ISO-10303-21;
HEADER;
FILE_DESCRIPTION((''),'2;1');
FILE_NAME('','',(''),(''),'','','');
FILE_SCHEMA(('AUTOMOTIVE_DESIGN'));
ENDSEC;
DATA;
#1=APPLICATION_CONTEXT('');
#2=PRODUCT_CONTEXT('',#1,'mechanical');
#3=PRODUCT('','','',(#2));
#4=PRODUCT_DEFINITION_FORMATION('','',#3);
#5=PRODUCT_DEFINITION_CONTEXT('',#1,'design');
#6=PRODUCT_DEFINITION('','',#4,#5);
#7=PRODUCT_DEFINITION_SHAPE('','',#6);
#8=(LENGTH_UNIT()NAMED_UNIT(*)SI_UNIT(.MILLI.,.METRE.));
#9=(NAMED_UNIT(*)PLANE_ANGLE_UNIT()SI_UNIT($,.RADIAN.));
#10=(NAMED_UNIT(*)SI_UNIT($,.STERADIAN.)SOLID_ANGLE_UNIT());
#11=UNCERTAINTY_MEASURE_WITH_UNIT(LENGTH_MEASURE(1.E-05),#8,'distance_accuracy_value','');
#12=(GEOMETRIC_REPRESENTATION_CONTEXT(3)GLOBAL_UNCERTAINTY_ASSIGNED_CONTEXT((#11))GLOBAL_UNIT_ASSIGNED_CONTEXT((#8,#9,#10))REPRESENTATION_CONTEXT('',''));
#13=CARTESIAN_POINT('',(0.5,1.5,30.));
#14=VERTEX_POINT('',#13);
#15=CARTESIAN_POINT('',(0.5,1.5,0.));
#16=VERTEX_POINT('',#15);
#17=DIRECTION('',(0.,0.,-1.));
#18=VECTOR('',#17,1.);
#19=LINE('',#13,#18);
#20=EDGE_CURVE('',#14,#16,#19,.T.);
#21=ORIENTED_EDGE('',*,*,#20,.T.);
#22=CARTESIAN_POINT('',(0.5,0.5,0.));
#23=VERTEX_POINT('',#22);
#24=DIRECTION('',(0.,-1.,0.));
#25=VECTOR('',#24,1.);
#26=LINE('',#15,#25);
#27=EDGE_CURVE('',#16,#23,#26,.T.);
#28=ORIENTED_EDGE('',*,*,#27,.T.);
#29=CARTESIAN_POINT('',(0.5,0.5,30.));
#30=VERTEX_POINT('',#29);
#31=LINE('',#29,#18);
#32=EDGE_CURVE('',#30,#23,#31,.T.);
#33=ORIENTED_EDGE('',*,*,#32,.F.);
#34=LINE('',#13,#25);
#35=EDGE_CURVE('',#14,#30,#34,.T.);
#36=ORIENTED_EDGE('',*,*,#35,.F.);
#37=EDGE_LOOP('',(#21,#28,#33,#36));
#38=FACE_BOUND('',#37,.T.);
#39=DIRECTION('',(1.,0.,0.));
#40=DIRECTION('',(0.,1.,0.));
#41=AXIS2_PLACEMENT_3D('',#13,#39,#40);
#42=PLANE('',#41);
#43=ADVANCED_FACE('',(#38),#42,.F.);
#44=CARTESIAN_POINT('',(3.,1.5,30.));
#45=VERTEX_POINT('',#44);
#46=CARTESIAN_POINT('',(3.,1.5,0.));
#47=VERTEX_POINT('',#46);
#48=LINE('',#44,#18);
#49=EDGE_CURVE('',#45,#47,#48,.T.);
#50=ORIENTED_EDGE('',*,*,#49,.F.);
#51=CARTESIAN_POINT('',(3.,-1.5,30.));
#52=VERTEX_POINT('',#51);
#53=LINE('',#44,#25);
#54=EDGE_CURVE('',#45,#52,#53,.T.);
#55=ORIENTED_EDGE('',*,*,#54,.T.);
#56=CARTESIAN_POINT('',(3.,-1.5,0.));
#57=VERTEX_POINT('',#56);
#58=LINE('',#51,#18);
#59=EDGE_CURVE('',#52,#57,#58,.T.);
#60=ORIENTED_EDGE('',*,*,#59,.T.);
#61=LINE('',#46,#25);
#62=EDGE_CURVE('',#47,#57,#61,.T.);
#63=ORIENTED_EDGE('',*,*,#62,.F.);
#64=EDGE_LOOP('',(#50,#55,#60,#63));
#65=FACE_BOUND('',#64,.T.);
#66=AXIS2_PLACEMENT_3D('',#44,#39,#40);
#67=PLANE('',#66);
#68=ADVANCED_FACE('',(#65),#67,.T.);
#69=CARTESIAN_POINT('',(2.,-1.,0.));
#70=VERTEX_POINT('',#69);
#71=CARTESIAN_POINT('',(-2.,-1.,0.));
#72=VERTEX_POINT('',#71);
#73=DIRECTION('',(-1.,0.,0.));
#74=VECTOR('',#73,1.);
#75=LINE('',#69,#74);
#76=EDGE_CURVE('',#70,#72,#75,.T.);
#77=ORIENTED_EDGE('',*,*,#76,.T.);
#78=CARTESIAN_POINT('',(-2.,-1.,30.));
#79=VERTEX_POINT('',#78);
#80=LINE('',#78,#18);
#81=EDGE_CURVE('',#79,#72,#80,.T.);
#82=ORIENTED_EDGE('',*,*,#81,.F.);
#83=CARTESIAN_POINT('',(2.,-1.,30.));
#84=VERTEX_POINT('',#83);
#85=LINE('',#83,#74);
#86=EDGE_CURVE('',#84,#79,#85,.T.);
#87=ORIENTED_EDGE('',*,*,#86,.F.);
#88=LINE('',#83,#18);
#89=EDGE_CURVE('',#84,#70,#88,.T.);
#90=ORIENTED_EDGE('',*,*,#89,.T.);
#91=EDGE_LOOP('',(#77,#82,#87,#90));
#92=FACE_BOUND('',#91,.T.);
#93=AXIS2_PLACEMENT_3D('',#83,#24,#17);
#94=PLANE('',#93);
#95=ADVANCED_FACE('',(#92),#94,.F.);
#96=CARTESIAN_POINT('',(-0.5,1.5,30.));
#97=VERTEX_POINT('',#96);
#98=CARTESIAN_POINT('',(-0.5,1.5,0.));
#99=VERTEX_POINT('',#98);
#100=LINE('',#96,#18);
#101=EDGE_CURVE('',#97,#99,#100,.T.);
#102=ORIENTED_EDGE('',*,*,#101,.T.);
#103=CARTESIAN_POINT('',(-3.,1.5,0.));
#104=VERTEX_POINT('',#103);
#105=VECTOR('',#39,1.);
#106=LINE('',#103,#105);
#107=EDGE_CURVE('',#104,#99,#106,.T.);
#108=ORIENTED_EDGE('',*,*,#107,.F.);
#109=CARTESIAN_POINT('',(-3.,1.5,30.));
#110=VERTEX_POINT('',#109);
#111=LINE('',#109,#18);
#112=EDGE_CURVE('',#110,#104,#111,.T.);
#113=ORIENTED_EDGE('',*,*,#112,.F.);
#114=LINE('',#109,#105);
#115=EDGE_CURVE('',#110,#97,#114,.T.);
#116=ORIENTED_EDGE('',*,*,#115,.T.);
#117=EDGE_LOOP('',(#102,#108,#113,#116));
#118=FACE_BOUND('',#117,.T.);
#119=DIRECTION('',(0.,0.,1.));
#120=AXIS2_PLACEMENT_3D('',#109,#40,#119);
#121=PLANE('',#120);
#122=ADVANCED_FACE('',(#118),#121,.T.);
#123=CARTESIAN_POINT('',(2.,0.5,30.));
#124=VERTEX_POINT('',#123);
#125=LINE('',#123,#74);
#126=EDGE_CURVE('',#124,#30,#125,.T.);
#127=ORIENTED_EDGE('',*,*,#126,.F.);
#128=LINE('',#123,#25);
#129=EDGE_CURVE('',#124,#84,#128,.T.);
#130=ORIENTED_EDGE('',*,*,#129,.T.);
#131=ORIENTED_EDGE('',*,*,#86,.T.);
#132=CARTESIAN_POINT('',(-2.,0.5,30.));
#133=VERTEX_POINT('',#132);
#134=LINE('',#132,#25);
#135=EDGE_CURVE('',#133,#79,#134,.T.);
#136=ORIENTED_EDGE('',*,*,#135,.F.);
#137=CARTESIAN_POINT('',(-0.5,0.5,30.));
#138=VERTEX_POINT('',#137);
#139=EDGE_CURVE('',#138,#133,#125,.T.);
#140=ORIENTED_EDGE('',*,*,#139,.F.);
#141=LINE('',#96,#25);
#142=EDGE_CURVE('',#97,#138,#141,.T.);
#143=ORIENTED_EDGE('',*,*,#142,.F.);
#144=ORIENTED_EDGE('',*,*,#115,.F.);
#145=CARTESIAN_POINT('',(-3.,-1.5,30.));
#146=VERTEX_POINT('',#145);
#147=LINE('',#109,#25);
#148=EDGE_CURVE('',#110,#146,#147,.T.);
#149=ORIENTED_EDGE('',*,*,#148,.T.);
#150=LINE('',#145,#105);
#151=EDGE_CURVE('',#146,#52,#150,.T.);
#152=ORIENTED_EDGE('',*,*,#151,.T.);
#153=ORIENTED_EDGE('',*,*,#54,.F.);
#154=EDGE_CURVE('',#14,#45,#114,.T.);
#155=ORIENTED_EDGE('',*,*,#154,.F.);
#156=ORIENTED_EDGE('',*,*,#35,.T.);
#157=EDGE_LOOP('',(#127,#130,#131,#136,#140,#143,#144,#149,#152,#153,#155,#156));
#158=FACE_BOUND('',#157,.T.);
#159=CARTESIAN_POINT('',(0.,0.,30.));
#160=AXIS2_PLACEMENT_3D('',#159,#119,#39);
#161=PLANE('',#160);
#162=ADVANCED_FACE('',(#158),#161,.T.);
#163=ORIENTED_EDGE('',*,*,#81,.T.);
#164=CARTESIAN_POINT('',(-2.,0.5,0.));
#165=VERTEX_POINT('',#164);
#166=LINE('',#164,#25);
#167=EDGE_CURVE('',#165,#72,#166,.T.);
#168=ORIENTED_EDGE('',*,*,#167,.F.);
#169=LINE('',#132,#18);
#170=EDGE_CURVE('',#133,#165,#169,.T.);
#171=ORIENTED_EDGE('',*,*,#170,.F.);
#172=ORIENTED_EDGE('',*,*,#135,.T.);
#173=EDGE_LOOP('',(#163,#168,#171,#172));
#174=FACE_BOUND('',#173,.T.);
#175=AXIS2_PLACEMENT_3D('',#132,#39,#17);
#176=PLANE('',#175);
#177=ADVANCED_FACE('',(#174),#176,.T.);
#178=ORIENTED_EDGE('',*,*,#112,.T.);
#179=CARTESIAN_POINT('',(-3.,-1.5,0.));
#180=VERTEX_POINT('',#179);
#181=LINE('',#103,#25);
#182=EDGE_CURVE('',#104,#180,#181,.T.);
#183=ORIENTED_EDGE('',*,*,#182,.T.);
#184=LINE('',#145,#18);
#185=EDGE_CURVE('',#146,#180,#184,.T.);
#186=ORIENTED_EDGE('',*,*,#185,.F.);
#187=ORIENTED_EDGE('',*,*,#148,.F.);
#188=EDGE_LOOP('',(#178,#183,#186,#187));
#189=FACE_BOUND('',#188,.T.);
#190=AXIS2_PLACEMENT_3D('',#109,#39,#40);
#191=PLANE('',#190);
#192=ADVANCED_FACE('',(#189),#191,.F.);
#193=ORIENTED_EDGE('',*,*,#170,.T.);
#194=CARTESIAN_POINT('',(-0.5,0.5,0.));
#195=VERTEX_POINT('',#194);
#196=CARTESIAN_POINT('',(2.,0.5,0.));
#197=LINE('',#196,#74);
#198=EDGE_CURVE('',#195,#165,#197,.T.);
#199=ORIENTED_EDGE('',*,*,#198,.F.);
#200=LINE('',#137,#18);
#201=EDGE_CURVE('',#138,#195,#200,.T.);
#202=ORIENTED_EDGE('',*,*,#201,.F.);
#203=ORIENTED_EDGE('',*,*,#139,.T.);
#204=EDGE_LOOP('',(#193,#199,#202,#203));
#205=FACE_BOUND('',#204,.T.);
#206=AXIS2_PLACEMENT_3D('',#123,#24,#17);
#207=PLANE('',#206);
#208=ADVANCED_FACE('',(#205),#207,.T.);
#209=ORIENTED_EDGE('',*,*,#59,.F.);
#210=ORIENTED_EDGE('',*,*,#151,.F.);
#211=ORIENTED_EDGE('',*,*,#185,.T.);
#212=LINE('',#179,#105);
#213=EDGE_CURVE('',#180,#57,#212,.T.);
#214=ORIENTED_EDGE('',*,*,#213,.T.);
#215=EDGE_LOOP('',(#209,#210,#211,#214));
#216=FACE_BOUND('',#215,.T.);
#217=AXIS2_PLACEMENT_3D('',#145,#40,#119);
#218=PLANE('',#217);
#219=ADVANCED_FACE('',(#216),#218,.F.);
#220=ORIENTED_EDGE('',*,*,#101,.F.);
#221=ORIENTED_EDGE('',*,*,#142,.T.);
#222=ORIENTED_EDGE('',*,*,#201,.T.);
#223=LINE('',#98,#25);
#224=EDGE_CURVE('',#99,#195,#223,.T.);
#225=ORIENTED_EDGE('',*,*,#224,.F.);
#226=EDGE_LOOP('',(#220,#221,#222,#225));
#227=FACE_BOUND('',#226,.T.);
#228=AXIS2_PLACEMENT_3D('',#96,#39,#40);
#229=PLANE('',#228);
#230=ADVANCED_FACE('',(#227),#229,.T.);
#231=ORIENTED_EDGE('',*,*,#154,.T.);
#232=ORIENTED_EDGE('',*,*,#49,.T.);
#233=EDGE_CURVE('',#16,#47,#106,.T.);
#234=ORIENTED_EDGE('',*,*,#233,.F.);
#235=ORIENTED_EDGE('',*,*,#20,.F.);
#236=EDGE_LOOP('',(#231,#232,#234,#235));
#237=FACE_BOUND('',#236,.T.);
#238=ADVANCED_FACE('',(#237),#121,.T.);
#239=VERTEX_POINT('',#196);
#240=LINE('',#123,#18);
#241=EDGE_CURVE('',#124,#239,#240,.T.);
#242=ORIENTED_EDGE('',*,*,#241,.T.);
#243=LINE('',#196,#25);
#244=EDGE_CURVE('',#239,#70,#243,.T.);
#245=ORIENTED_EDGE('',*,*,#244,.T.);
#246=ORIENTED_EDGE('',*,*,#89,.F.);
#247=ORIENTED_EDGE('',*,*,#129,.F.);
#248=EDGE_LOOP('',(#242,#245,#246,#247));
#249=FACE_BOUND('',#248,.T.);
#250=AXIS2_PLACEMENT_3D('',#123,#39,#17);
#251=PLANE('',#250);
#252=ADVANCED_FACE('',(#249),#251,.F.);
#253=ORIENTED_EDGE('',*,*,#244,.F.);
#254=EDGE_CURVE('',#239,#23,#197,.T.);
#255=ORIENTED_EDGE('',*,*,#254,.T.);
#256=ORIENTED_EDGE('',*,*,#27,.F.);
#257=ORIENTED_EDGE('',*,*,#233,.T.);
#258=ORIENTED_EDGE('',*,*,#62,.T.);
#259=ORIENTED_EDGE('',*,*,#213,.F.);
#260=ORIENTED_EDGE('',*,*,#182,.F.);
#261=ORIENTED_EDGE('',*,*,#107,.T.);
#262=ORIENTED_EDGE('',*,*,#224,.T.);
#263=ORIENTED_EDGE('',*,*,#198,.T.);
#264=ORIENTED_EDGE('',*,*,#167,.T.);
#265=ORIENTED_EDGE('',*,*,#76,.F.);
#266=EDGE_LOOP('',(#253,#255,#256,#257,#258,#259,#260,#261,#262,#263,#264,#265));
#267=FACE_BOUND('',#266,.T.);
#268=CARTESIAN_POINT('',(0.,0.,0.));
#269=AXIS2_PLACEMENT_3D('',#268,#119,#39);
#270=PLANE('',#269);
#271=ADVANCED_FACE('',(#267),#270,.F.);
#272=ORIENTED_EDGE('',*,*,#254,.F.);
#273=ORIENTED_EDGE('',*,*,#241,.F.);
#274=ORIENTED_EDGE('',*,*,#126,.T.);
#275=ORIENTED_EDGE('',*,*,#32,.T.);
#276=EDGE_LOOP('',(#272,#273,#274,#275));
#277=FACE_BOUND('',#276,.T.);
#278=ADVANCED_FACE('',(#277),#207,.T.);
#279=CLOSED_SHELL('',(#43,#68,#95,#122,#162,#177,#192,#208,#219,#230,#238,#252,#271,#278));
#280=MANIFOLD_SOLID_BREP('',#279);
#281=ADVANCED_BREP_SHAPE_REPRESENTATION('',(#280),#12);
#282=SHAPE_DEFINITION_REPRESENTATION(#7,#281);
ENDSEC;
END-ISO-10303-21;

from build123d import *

# Parameters (mm, degrees)
SKETCH_1_W          = 6
SKETCH_1_H          = 3
EXTRUDE_1_DEPTH     = 30
SKETCH_2_W          = 1
SKETCH_2_H          = 1.018441017
CUT_EXTRUDE_2_DEPTH = 30
SKETCH_5_W          = 4
SKETCH_5_H          = 1.5
CUT_EXTRUDE_5_DEPTH = 30


with BuildPart() as part:
    # 草圖1 → 填料-伸長1 (new body)
    with BuildSketch(Plane.XY):
        Rectangle(SKETCH_1_W, SKETCH_1_H)
    extrude(amount=EXTRUDE_1_DEPTH)

    # 草圖2 → 除料-伸長2 (cut)
    with BuildSketch(Plane(origin=(0, 0, 0), x_dir=(-1, 0, 0), z_dir=(0, 0, -1))):
        with Locations((0, 0.990779491)):
            Rectangle(SKETCH_2_W, SKETCH_2_H)
    extrude(amount=-CUT_EXTRUDE_2_DEPTH, mode=Mode.SUBTRACT)

    # 草圖5 → 除料-伸長5 (cut)
    with BuildSketch(Plane(origin=(0, 0, 0), x_dir=(-1, 0, 0), z_dir=(0, 0, -1))):
        with Locations((0, -0.25)):
            Rectangle(SKETCH_5_W, SKETCH_5_H)
    extrude(amount=-CUT_EXTRUDE_5_DEPTH, mode=Mode.SUBTRACT)


solid = part.part
